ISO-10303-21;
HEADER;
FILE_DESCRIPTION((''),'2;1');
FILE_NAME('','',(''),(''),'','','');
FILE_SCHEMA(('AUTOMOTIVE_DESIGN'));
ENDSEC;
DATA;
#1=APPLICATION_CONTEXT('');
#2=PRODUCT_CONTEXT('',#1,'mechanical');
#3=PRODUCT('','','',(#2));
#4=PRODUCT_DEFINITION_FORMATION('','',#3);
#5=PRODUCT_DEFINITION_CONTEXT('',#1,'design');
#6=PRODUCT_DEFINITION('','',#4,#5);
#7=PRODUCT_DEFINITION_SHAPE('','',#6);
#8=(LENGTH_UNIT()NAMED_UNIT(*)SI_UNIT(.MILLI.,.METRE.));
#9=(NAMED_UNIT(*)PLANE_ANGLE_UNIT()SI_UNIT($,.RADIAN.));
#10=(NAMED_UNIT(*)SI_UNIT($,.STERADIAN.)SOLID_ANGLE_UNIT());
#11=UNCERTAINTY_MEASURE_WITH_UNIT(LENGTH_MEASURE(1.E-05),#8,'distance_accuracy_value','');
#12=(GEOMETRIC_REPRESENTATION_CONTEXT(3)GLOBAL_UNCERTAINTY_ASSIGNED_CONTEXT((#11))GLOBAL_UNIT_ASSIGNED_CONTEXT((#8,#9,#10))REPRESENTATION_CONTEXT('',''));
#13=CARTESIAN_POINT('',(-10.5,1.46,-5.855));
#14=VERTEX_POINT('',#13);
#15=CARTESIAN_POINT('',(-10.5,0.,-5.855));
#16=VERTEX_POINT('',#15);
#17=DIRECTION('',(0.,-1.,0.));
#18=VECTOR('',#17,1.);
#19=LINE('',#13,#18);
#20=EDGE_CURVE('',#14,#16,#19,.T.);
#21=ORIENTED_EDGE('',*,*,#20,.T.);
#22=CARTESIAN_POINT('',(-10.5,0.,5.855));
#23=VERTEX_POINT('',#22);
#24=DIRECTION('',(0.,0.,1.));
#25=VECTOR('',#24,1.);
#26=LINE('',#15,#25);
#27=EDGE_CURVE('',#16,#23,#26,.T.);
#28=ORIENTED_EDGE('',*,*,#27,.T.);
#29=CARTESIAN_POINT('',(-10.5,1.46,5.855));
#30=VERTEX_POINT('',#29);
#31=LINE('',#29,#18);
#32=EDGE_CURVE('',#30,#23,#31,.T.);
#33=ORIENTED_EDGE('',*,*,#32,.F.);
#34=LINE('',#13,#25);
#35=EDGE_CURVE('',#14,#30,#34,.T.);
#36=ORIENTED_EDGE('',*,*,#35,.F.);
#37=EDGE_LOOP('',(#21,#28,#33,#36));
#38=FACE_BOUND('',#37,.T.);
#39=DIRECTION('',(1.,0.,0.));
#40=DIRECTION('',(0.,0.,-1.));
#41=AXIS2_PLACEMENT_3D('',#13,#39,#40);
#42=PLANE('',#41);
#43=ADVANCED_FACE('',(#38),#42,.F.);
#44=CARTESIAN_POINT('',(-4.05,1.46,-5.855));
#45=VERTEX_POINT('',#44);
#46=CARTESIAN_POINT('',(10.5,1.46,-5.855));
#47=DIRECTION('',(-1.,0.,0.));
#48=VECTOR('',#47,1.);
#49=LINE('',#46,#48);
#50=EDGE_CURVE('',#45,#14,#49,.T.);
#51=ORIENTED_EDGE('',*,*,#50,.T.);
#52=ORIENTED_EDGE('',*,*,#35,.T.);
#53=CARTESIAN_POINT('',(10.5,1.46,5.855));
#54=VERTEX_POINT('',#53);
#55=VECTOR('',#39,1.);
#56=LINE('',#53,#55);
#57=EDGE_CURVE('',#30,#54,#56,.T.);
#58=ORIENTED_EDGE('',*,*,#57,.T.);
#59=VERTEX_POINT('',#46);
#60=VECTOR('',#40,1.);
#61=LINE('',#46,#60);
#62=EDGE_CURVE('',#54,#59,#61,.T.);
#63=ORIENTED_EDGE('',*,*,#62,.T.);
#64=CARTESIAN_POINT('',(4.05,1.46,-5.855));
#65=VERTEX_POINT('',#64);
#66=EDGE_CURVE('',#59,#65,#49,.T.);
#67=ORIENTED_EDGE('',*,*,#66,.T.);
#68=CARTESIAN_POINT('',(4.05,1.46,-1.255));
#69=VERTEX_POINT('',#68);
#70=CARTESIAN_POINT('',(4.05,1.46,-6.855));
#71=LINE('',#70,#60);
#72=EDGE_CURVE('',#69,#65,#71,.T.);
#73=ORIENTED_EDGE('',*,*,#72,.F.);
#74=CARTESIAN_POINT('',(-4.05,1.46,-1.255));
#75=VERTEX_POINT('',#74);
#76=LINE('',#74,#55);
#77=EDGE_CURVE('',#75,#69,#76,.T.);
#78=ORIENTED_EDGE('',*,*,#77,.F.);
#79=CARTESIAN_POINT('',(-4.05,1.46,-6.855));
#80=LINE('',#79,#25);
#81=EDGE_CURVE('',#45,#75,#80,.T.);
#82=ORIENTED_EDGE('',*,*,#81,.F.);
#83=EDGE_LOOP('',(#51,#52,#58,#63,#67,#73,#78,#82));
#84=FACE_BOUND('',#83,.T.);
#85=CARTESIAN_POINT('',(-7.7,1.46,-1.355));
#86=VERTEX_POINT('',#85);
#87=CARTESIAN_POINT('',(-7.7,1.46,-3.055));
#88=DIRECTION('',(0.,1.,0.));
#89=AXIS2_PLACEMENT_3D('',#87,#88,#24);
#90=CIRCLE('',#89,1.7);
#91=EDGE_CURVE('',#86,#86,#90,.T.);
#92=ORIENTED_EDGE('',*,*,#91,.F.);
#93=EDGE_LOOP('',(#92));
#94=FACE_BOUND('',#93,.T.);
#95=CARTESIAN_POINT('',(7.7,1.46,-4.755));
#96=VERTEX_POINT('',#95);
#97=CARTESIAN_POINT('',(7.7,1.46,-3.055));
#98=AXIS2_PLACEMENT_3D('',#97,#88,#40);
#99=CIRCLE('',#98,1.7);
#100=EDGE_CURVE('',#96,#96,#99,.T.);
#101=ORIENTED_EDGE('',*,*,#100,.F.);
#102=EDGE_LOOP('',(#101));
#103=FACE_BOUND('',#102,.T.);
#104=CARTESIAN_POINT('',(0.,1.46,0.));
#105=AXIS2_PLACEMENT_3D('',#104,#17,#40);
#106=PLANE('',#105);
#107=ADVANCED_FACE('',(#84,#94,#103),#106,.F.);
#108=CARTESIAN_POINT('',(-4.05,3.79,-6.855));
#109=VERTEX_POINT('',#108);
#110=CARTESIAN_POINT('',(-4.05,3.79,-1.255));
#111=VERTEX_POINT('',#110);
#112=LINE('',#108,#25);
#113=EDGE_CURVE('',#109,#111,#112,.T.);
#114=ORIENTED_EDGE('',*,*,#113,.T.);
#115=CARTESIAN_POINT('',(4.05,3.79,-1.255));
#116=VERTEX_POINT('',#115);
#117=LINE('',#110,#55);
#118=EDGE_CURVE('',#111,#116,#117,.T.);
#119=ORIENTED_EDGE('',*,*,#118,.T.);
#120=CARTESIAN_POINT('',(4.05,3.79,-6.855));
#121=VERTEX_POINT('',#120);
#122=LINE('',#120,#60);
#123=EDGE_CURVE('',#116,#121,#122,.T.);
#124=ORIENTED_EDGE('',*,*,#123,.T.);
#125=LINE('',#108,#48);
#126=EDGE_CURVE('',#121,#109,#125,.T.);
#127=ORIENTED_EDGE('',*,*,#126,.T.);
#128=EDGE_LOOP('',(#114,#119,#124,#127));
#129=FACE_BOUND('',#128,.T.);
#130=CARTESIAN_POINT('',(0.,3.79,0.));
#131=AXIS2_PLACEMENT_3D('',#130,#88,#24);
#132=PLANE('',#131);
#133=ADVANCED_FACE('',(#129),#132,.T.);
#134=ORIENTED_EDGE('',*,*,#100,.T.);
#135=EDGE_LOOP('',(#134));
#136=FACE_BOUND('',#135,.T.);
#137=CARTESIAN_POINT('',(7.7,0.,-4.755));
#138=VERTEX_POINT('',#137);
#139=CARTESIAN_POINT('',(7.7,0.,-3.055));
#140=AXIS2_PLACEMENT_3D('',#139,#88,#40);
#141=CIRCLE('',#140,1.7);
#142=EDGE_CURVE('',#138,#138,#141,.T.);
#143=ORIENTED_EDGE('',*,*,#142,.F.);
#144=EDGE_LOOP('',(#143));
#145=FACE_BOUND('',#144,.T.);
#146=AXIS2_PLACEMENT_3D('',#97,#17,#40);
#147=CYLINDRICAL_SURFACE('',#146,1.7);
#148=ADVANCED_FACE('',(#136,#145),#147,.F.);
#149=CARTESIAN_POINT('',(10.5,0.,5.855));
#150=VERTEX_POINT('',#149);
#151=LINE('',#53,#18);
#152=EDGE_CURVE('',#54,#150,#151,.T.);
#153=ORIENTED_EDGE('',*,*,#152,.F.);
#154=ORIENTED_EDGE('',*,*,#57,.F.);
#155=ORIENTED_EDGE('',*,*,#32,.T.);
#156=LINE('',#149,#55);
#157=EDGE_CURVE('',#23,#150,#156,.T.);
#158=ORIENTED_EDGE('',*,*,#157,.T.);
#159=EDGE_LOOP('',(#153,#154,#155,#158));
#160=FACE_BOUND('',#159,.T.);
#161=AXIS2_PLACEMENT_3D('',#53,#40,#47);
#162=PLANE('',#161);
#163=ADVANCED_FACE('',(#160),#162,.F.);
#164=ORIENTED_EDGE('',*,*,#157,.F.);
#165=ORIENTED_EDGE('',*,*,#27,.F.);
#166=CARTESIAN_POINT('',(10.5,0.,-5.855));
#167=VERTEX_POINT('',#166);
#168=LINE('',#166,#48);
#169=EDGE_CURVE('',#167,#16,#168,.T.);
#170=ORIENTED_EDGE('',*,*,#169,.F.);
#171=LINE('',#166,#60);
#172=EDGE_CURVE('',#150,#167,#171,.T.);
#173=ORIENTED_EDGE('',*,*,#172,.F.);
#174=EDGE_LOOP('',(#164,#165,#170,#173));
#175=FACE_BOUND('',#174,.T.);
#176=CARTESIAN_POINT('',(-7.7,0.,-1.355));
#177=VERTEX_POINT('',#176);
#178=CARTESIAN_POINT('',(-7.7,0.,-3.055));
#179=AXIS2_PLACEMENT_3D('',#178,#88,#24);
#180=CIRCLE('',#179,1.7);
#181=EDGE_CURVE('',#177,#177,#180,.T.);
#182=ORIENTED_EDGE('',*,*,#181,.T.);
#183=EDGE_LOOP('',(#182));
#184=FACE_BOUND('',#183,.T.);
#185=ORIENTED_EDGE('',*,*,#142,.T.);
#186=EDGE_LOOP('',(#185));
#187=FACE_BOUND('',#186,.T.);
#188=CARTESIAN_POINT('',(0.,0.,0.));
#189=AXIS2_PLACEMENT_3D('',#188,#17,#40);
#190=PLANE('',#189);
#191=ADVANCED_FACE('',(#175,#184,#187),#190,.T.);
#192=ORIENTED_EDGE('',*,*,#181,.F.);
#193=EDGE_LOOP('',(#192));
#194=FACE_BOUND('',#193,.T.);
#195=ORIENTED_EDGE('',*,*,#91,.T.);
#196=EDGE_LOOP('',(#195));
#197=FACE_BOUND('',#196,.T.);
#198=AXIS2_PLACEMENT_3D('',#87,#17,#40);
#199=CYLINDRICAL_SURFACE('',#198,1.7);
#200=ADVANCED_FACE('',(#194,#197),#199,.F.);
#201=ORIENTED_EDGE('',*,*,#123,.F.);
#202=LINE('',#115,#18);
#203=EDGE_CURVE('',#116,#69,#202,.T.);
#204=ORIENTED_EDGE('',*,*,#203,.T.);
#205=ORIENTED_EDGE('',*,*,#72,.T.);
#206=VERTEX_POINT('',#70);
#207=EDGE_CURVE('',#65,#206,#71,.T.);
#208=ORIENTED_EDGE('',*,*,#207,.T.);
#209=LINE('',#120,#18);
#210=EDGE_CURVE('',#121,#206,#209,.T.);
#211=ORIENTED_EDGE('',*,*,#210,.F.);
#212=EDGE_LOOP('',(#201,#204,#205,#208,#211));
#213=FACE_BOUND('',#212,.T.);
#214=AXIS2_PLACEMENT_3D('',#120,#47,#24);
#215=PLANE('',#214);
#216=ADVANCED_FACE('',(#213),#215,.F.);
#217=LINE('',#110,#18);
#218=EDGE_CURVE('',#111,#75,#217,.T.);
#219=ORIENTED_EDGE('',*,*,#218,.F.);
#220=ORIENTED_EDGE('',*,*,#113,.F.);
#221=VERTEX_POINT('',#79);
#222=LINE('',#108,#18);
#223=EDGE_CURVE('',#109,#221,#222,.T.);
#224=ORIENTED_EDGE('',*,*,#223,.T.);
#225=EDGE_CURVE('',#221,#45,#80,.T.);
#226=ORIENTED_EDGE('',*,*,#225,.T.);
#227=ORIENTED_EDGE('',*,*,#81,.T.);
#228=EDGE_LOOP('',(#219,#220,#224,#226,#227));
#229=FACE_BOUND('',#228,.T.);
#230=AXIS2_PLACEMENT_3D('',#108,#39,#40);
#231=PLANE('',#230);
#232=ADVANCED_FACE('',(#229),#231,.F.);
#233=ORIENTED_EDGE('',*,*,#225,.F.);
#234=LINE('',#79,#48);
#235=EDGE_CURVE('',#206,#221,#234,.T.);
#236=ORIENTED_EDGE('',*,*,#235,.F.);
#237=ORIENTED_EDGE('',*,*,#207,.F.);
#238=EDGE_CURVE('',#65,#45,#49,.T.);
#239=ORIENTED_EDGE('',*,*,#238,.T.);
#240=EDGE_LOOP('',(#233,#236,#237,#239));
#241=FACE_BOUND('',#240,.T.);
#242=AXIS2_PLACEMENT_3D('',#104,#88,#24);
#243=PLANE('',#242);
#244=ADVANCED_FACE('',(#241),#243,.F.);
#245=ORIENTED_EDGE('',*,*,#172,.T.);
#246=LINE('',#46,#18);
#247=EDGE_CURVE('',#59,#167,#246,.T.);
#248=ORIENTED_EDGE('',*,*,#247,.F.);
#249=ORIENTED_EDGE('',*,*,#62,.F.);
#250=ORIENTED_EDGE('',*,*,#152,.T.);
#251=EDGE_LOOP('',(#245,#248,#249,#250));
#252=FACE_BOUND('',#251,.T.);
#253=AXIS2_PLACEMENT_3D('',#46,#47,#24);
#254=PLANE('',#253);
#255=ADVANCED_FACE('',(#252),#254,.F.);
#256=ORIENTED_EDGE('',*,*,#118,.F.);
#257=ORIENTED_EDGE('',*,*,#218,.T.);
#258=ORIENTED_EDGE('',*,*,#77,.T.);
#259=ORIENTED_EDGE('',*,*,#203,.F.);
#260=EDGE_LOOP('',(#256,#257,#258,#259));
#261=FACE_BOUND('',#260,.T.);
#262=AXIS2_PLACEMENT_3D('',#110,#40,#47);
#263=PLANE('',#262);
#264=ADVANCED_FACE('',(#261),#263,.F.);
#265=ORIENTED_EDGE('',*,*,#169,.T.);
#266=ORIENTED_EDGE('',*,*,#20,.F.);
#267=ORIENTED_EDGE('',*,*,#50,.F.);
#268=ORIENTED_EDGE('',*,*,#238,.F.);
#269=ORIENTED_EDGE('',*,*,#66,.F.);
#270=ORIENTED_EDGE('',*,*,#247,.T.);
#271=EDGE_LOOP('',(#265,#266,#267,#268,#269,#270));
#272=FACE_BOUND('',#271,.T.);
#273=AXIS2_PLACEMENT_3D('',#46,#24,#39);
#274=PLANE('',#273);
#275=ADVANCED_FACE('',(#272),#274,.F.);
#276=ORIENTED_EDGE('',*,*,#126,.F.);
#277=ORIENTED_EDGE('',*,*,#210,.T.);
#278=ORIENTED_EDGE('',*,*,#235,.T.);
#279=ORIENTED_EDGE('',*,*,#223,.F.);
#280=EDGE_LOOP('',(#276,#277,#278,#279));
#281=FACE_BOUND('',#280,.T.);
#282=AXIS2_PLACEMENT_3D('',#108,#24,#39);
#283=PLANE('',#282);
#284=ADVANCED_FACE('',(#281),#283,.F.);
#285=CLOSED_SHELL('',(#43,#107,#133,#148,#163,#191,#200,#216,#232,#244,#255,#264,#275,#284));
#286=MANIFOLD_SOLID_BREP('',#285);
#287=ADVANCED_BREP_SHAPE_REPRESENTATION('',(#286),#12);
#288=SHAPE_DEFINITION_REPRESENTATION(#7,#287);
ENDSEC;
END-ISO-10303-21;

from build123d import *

# Parameters (mm, degrees)
SKETCH1_W           = 21
SKETCH1_H           = 11.71
SKETCH1_R           = 1.7
BOSS_EXTRUDE1_DEPTH = 1.46
SKETCH2_W           = 8.1
SKETCH2_H           = 5.6
BOSS_EXTRUDE2_DEPTH = 2.33


with BuildPart() as part:
    # Sketch1 → Boss-Extrude1 (new body)
    with BuildSketch(Plane(origin=(0, 0, 0), x_dir=(1, 0, 0), z_dir=(0, 1, 0))):
        Rectangle(SKETCH1_W, SKETCH1_H)
        with Locations(Location((-7.7, 3.055, 0), (0, 0, 270))):
            Circle(SKETCH1_R, mode=Mode.SUBTRACT)
        with Locations(Location((7.7, 3.055, 0), (0, 0, 90))):
            Circle(SKETCH1_R, mode=Mode.SUBTRACT)
    extrude(amount=BOSS_EXTRUDE1_DEPTH)

    # Sketch2 → Boss-Extrude2 (add)
    with BuildSketch(Plane(origin=(0, 1.46, 0), x_dir=(1, 0, 0), z_dir=(0, 1, 0))):
        with Locations((0, 4.055)):
            Rectangle(SKETCH2_W, SKETCH2_H)
    extrude(amount=BOSS_EXTRUDE2_DEPTH)


solid = part.part
